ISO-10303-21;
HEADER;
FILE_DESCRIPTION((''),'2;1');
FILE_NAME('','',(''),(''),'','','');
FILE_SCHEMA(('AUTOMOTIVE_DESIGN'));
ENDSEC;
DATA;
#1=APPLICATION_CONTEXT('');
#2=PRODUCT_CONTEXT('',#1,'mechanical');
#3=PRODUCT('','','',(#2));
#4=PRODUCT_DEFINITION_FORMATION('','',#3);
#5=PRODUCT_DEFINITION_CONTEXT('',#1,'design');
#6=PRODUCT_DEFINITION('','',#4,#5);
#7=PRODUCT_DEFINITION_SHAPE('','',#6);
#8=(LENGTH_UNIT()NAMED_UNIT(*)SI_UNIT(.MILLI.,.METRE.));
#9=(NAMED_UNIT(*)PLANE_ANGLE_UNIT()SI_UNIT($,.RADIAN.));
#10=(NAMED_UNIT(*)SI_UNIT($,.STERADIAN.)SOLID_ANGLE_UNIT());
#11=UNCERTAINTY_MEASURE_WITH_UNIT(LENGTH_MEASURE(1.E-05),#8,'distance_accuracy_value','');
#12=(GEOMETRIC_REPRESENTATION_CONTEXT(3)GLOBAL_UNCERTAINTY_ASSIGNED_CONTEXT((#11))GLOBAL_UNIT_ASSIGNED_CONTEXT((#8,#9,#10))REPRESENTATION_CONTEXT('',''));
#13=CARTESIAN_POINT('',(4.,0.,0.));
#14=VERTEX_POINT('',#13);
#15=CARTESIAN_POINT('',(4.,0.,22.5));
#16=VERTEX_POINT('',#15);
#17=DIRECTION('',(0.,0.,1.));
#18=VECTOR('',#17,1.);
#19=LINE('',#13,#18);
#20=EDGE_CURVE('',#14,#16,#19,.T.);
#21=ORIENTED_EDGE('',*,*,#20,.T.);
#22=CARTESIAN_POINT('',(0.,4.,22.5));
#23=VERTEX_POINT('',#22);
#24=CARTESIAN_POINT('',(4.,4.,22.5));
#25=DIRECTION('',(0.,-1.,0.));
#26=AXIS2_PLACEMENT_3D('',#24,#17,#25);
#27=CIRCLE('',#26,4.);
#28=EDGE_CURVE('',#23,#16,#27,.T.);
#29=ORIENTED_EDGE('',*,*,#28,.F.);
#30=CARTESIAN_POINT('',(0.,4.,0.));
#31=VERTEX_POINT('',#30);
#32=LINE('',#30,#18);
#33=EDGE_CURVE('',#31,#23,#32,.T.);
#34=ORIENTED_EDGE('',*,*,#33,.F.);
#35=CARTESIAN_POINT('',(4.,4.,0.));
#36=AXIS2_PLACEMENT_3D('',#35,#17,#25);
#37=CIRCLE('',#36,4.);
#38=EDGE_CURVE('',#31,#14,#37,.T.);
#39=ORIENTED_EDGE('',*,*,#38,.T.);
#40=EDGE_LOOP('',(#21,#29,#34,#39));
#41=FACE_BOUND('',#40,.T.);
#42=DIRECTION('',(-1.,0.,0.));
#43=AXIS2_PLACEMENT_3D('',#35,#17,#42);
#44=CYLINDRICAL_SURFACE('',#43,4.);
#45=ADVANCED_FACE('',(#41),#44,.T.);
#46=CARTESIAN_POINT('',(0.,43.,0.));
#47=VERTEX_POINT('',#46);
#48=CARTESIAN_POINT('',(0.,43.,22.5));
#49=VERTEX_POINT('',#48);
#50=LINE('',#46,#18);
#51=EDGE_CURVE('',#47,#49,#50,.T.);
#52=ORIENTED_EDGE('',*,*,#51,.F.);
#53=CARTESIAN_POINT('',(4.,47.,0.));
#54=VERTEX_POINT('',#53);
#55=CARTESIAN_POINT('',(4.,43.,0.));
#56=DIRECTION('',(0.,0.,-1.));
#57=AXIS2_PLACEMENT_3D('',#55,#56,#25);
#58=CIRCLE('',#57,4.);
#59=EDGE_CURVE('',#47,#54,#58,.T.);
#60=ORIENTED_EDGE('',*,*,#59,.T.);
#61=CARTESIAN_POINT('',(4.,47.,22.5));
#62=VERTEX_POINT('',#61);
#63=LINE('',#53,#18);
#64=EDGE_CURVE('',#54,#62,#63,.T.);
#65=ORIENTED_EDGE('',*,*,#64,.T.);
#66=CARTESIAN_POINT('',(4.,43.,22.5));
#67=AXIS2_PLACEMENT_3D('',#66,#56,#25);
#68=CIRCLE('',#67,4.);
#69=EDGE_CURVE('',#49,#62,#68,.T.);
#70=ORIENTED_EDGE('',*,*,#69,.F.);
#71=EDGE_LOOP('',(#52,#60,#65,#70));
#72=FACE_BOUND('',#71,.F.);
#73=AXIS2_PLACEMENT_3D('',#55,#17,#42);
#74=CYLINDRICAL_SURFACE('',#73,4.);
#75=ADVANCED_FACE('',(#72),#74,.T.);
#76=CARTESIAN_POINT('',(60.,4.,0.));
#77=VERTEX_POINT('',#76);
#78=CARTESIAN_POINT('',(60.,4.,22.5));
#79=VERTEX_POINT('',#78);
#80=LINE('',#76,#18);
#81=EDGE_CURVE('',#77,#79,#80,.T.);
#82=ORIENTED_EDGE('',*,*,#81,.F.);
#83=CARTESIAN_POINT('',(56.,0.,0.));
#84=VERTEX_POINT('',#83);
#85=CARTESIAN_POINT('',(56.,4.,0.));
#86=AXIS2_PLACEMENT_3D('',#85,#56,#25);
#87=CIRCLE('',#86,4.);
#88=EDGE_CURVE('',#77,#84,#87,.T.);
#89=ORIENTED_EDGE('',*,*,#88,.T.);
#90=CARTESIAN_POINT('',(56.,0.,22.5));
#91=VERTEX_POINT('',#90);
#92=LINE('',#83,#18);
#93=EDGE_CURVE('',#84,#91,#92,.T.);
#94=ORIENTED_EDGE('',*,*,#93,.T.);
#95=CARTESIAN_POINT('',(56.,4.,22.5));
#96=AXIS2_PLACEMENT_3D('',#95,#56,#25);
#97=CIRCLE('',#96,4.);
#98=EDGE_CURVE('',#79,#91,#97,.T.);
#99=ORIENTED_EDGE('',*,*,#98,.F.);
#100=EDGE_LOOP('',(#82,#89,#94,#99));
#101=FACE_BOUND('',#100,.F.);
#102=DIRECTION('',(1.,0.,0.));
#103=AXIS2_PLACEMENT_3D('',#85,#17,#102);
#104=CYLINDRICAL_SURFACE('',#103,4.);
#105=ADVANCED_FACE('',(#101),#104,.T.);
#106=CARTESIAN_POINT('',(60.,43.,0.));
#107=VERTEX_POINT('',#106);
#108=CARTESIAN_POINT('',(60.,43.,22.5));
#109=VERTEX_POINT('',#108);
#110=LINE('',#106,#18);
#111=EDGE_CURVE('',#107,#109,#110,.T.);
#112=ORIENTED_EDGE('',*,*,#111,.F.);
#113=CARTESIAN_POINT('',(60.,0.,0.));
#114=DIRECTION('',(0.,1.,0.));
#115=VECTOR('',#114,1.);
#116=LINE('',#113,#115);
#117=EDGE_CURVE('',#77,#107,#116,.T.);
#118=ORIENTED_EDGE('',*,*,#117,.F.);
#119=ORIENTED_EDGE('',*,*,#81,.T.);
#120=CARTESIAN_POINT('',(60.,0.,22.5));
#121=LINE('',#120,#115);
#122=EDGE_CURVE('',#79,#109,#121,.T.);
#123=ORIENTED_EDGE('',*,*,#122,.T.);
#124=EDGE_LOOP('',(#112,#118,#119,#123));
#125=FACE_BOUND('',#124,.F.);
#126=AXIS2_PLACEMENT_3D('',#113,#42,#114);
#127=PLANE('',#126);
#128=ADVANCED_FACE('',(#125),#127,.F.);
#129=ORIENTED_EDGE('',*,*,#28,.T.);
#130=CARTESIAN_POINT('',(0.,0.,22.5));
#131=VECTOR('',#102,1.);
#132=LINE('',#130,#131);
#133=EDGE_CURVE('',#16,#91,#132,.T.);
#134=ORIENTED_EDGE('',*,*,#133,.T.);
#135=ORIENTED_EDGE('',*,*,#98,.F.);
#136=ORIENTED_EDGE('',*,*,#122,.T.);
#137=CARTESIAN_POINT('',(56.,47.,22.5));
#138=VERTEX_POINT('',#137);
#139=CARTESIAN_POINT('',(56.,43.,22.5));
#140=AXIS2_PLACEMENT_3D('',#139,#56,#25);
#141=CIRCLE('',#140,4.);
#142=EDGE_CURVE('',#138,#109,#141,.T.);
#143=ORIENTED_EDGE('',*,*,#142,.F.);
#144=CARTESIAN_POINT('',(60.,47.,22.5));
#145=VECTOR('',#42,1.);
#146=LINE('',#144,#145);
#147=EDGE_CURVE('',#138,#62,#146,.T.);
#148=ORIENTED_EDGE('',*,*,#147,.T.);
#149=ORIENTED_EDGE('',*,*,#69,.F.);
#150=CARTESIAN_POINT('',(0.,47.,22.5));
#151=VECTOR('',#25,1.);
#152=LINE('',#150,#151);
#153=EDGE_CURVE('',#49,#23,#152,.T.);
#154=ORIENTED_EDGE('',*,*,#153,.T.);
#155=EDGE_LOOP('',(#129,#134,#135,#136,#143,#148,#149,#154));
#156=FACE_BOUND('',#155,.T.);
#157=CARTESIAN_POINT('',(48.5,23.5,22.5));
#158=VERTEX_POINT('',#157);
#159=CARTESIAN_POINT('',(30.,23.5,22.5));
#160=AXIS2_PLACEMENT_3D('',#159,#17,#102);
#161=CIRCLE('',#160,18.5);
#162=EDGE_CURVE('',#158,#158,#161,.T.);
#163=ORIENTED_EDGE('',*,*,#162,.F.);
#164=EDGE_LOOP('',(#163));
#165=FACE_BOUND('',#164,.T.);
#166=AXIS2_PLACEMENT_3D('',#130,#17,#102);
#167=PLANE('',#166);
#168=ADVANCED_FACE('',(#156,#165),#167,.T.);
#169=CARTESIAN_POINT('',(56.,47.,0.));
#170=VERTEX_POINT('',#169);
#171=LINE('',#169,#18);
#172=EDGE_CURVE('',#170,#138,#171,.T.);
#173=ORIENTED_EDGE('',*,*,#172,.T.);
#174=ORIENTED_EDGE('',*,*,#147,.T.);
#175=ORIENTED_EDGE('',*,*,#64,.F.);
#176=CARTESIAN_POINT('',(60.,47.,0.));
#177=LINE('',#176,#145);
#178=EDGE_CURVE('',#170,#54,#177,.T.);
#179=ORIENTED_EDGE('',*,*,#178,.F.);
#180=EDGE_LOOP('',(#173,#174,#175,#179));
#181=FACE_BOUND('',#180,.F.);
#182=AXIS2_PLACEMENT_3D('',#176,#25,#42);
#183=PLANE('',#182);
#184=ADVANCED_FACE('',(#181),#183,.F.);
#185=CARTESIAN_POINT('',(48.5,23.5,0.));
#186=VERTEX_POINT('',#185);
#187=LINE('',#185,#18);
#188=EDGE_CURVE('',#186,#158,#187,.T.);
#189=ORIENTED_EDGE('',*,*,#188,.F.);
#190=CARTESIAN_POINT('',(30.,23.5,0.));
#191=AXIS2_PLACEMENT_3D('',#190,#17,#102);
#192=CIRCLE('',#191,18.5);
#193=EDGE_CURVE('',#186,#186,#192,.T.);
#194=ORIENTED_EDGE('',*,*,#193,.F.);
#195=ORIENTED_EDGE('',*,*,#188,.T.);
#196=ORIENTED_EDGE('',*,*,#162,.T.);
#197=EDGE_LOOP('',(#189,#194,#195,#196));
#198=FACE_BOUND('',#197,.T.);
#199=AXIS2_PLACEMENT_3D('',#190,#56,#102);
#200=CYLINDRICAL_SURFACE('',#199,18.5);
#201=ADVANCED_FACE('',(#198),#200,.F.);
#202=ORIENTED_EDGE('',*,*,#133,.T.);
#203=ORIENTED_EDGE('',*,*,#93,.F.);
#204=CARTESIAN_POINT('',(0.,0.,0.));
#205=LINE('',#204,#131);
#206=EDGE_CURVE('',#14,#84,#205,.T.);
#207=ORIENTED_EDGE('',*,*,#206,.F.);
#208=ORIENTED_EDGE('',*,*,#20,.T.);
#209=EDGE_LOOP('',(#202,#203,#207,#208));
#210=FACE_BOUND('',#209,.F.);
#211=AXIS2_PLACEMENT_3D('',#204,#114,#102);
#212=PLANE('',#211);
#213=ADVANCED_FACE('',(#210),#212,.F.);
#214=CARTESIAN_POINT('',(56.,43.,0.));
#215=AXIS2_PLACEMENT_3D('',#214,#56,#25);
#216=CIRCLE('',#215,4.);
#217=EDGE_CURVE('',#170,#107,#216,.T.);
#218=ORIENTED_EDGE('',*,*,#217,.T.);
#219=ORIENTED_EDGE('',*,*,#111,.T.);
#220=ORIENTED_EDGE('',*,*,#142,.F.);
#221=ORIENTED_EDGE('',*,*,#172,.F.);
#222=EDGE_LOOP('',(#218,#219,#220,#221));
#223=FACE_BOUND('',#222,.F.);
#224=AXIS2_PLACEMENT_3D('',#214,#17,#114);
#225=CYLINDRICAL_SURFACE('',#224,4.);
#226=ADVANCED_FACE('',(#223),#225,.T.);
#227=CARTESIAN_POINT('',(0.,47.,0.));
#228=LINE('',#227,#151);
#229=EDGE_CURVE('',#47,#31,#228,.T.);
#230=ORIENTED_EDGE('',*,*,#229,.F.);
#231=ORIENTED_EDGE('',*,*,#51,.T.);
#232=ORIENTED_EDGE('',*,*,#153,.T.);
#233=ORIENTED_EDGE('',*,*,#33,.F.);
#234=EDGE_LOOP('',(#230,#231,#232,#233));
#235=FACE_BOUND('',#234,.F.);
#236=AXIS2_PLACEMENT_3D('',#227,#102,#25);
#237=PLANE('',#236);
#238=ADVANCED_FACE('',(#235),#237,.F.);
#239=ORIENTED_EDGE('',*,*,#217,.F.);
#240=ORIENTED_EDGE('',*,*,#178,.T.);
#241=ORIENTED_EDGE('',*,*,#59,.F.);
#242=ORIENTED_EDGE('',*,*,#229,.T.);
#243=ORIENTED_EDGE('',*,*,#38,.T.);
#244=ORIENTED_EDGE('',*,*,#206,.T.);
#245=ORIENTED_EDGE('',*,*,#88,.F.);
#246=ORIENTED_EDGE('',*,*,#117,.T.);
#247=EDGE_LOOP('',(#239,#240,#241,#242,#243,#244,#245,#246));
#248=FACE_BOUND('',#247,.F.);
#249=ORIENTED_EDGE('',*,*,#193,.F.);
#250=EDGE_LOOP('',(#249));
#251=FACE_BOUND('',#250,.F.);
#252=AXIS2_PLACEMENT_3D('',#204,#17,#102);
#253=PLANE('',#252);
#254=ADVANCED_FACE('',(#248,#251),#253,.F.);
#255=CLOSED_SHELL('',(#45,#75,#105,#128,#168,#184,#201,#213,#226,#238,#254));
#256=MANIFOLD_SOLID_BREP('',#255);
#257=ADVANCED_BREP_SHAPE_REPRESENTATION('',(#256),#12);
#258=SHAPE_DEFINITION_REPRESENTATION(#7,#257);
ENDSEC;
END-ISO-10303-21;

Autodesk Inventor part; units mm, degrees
ref_plane "YZ Plane" through (0, 0, 0) normal (1, 0, 0) x (0, 1, 0)
ref_plane "XZ Plane" through (0, 0, 0) normal (0, 1, 0) x (-1, 0, 0)
ref_plane "XY Plane" through (0, 0, 0) normal (0, 0, 1) x (1, 0, 0)
sketch "Sketch1" plane through (0, 0, 0) normal (0, 0, 1) x (1, 0, 0)
  line L0 (0, 0) -> (60, 0)
  line L1 (60, 0) -> (60, 47)
  line L2 (60, 47) -> (0, 47)
  line L3 (0, 47) -> (0, 0)
  circle A0 centre (30, 23.5) radius 18.5
  line L4 (11.5, 42) -> (48.5, 42) construction
  line L5 (48.5, 42) -> (48.5, 5) construction
  line L6 (48.5, 5) -> (11.5, 5) construction
  line L7 (11.5, 5) -> (11.5, 42) construction
  point P0 (60, 23.5)
  point P1 (30, 47)
  dimension "d0" = 37
  dimension "d1" = 5
  dimension "d5" = 60
extrude "Extrusion1" add sketch "Sketch1" along normal blind 22.5
fillet "Fillet1" radius 4 4 edges at (60, 47, 11.25) (60, 0, 11.25) (0, 0, 11.25) (0, 47, 11.25)
properties part number "Gearbox Mount"
